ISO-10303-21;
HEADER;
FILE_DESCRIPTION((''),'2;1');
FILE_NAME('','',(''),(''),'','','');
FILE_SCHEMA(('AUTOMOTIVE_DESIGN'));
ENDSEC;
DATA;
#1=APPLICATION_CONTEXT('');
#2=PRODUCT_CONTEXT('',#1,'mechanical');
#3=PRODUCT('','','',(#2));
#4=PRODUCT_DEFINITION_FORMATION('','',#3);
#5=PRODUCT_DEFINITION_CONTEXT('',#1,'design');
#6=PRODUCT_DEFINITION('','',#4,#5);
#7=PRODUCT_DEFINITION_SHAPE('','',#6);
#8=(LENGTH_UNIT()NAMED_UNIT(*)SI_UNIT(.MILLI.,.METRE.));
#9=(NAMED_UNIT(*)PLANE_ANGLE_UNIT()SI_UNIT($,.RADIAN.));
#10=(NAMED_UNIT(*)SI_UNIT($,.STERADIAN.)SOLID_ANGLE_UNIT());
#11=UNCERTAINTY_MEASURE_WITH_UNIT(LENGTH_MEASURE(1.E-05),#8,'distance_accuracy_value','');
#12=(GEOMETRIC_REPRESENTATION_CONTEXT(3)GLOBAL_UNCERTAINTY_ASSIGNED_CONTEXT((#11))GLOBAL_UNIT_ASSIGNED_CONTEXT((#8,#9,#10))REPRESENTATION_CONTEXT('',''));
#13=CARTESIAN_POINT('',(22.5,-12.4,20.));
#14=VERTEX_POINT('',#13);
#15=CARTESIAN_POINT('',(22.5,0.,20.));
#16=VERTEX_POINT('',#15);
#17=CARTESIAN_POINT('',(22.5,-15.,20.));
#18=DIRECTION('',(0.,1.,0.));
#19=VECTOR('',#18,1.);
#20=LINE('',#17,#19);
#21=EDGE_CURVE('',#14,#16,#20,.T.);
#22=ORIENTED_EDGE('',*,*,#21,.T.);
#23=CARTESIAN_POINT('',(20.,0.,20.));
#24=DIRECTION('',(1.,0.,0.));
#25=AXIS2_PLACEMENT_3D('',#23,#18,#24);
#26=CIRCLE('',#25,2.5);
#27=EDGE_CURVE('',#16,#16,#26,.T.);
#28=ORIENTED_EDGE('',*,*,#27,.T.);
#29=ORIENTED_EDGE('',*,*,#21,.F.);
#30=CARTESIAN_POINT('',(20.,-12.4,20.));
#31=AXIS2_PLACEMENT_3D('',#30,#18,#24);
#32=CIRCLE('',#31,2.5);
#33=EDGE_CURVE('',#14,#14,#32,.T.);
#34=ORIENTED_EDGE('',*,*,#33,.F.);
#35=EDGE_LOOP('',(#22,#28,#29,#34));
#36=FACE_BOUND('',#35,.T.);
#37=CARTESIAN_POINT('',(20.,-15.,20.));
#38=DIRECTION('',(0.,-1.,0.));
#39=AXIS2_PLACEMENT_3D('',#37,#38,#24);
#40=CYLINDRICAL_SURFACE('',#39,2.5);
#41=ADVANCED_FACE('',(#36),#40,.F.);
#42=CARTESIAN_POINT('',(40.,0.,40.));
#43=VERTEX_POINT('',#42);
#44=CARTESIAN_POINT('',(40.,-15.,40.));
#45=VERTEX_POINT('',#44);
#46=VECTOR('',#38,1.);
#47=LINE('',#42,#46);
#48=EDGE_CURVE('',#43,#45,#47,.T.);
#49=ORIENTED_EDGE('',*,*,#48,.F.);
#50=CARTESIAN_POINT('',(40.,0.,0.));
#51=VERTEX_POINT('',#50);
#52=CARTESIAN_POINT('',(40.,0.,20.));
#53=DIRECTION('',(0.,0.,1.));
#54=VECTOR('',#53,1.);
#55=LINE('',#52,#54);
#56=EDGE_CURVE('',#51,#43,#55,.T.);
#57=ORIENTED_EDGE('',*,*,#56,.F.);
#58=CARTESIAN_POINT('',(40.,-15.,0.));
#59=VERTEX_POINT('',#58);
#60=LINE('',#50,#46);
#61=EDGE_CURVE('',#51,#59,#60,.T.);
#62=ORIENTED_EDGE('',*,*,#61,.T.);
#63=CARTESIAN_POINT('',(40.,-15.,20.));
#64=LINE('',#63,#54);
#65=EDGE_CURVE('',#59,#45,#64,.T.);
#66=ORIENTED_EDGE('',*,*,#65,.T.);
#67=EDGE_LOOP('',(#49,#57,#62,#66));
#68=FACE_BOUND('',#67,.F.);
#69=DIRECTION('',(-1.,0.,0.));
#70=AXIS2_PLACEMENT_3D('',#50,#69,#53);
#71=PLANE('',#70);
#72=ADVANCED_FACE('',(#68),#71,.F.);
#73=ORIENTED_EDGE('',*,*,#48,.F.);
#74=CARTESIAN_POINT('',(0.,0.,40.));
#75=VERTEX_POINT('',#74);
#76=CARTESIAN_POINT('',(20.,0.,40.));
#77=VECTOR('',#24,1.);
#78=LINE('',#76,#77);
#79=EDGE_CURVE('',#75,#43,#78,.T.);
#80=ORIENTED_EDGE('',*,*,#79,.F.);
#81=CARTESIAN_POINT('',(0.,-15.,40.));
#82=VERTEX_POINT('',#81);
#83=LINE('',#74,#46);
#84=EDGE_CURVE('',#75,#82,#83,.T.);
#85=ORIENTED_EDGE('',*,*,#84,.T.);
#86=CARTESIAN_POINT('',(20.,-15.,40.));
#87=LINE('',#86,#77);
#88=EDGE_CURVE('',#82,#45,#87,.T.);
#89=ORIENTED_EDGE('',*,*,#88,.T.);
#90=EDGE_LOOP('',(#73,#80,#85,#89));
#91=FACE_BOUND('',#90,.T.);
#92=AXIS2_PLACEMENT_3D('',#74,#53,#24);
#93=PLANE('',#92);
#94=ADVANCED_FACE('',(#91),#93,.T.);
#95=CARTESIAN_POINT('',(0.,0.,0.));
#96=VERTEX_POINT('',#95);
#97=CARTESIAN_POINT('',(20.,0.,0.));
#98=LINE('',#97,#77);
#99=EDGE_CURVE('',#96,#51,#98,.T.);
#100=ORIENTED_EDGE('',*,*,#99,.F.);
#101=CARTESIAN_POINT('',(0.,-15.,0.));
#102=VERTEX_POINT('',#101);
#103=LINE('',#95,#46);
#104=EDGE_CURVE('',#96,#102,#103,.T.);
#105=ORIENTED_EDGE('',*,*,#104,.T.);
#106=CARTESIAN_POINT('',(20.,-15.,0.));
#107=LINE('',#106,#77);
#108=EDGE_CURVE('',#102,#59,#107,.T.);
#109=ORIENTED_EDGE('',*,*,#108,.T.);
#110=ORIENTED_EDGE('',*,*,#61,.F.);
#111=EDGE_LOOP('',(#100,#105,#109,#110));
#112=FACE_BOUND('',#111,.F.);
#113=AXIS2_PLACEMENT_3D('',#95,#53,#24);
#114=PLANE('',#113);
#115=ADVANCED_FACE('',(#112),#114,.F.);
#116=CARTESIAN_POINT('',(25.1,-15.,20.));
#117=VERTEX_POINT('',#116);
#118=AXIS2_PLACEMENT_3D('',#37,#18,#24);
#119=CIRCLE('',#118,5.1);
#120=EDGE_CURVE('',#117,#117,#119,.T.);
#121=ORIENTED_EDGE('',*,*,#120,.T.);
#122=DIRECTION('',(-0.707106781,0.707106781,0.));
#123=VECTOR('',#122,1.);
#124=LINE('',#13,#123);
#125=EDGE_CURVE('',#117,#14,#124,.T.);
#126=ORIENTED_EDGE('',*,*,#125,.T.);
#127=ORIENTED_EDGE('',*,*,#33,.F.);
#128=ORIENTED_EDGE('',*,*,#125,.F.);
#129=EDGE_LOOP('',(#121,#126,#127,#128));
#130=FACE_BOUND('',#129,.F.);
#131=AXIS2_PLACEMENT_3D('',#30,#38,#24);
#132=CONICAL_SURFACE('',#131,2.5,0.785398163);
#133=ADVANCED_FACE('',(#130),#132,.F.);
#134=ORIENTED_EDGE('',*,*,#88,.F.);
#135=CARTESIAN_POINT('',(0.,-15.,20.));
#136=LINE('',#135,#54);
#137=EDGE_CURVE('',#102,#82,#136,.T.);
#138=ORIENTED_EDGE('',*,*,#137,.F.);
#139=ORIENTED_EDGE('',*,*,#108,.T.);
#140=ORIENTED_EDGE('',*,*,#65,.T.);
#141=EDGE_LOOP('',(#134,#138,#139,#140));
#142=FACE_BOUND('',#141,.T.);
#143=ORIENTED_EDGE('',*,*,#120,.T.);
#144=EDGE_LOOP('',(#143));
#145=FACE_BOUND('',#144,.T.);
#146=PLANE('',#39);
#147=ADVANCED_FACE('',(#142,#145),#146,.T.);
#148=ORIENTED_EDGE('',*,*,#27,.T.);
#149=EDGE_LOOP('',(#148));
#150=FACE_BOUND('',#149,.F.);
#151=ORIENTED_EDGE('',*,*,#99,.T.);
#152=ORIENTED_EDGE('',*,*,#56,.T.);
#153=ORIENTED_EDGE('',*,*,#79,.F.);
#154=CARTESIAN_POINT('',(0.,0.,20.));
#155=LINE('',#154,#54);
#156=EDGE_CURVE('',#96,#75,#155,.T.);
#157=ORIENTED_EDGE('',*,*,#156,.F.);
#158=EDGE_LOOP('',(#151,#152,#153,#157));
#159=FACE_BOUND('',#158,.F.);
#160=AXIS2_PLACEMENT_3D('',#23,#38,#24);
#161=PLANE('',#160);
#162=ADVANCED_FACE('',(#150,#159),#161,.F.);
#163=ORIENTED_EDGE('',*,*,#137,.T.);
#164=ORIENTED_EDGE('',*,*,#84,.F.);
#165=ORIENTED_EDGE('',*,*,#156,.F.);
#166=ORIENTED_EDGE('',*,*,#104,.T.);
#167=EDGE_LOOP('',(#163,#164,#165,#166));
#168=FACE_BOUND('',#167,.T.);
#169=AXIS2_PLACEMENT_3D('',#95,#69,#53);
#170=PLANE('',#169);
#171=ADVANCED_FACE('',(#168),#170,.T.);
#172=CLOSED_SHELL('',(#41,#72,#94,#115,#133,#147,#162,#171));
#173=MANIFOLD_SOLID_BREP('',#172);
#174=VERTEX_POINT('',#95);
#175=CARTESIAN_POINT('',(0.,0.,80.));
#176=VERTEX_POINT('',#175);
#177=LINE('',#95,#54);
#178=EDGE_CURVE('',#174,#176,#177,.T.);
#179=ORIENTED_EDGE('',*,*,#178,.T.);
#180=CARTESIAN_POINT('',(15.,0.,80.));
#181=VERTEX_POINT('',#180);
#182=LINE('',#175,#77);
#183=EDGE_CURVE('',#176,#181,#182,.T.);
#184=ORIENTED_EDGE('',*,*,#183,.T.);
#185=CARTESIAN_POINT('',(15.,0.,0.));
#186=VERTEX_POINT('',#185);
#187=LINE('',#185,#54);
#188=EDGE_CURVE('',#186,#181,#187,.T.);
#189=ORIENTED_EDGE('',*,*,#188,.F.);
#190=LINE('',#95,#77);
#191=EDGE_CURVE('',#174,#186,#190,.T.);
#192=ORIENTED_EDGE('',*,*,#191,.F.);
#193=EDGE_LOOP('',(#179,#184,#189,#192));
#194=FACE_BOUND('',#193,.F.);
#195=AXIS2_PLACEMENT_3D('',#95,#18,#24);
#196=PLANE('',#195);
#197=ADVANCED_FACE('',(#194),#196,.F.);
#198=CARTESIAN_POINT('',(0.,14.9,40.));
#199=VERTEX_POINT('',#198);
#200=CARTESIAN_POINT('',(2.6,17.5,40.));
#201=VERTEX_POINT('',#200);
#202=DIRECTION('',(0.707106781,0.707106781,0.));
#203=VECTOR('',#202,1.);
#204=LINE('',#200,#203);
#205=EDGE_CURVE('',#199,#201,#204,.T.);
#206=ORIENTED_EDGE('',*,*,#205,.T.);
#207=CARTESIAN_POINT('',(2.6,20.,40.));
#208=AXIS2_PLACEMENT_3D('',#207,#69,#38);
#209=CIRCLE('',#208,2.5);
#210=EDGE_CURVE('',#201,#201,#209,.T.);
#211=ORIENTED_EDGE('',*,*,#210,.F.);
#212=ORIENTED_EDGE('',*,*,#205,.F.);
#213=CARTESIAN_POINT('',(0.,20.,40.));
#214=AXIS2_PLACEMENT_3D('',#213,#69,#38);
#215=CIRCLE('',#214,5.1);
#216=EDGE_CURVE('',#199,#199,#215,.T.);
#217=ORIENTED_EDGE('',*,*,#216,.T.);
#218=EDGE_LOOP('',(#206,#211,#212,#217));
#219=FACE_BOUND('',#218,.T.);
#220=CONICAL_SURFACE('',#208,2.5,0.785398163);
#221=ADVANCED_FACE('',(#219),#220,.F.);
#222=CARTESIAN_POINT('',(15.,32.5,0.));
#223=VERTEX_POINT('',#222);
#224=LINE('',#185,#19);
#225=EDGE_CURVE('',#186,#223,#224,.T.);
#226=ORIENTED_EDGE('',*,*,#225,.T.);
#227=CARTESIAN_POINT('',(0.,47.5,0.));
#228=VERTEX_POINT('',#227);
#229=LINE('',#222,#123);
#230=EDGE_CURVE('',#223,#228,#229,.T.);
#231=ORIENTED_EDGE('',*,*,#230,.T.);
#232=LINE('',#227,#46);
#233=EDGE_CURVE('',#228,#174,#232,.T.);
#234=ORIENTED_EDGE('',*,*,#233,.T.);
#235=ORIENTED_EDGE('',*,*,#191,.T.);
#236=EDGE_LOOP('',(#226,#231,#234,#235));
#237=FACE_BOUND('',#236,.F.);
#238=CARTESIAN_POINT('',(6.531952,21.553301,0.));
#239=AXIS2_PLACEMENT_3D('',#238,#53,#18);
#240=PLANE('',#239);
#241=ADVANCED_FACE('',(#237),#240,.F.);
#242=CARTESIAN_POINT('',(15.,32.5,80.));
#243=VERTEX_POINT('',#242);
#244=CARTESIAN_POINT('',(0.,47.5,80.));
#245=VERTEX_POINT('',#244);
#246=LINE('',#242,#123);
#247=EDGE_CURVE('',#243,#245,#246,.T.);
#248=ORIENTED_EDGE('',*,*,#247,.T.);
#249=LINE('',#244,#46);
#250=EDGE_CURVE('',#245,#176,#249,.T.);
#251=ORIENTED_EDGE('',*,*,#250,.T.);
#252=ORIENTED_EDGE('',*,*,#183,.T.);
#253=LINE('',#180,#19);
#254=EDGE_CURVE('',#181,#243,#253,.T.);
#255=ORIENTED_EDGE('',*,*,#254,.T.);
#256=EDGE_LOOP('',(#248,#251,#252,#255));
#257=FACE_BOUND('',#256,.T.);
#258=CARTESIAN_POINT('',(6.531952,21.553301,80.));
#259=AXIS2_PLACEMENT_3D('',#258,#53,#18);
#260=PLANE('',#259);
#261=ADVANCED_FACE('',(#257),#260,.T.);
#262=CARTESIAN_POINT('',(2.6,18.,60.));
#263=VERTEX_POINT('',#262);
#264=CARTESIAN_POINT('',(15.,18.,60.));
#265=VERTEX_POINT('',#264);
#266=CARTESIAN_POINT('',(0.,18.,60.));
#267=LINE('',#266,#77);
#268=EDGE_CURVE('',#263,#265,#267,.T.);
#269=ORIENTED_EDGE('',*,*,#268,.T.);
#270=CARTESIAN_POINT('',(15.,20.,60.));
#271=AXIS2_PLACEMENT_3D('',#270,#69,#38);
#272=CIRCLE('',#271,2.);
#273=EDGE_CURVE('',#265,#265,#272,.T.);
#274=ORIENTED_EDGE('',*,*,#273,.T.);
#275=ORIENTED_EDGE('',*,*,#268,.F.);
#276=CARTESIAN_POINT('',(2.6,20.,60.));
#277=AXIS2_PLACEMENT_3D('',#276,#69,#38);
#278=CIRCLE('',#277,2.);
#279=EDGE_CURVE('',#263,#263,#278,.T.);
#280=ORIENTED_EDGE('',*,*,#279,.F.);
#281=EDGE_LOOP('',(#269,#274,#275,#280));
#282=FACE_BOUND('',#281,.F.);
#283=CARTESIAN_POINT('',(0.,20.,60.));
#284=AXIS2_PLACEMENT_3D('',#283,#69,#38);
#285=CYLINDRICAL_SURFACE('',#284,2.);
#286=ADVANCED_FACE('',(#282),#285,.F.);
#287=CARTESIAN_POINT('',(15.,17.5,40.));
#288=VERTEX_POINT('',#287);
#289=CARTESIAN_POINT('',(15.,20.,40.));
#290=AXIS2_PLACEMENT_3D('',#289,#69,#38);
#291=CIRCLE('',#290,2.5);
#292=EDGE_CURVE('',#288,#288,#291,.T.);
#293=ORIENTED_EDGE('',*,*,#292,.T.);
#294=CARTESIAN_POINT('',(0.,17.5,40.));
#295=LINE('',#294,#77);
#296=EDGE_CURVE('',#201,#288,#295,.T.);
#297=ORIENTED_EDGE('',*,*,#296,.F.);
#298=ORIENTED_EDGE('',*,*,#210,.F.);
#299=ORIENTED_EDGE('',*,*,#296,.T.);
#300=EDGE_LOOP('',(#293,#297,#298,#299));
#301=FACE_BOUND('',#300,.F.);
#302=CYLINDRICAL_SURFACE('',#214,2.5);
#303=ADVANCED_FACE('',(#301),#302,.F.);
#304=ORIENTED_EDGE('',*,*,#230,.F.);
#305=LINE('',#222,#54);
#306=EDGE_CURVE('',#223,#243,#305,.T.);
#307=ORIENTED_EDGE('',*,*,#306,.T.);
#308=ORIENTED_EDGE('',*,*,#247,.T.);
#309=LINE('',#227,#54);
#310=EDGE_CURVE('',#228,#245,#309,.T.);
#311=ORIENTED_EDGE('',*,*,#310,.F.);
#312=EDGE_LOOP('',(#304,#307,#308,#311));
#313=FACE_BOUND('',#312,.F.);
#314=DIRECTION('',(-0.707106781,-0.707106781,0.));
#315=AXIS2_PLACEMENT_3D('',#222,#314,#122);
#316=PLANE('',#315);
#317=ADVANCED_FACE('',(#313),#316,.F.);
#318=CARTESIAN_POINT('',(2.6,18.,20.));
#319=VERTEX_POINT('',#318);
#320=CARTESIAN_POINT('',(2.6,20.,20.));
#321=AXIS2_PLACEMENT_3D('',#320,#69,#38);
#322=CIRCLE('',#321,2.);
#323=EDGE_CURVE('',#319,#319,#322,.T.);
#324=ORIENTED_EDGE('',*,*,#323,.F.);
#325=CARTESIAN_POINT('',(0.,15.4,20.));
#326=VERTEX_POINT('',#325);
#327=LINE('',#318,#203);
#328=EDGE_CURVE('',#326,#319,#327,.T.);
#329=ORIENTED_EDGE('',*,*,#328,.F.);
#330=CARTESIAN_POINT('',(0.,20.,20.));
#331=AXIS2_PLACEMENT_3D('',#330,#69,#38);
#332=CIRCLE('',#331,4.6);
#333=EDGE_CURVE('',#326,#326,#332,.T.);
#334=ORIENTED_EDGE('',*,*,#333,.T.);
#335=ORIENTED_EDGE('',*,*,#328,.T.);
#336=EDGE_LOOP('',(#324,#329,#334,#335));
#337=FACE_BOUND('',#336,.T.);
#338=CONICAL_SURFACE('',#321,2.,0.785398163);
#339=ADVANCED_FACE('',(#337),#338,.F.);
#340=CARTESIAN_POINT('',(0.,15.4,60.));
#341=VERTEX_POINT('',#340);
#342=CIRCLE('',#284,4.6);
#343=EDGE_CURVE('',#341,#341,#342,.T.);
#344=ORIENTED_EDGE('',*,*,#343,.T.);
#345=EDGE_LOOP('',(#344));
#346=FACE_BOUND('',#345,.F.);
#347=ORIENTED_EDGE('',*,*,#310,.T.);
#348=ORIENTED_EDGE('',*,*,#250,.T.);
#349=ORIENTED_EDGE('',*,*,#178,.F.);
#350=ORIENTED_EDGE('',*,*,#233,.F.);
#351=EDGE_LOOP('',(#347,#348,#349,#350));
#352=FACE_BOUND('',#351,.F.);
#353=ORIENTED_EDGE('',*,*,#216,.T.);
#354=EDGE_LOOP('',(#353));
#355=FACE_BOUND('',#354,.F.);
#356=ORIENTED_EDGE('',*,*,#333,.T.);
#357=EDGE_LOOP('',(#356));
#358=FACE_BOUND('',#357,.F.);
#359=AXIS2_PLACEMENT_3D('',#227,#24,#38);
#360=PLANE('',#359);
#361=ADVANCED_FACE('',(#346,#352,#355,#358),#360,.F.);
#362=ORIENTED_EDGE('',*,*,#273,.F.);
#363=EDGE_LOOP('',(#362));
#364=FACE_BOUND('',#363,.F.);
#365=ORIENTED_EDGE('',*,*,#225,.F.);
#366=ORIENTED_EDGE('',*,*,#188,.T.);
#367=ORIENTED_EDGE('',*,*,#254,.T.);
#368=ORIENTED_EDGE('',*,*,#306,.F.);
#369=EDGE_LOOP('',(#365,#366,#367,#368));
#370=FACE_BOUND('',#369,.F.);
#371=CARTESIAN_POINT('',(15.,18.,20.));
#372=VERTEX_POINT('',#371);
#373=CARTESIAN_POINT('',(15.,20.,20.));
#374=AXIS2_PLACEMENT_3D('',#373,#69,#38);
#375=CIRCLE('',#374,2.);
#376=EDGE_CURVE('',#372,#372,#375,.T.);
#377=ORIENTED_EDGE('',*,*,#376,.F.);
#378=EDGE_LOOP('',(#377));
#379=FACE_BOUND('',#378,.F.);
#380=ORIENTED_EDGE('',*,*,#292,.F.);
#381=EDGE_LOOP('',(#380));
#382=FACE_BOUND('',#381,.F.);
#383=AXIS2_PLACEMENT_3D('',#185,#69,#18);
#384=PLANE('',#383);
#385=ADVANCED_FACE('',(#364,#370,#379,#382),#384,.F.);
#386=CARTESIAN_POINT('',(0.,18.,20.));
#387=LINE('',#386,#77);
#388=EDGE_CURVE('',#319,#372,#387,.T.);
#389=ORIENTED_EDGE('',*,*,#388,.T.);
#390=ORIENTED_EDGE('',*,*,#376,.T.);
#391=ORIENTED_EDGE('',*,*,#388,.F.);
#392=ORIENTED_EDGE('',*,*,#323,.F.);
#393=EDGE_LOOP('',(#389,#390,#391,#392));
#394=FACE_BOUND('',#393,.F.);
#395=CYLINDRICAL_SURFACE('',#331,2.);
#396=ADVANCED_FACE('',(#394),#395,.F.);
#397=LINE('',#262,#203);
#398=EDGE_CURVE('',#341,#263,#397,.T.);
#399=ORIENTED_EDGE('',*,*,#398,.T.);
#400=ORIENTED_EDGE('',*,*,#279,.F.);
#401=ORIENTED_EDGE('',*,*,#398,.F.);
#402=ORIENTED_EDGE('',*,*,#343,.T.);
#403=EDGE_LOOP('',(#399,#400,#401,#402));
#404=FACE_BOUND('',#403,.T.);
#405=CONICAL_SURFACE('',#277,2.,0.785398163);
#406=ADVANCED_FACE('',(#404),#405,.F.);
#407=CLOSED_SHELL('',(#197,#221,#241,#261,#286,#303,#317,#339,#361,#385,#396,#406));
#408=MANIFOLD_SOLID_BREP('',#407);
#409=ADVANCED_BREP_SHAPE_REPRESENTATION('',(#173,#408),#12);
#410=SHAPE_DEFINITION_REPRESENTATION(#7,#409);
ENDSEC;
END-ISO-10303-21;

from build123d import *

# Parameters (mm, degrees)
SKETCH001_R      = 2.5
SKETCH001_R_2    = 2
EXTRUDE001_DEPTH = 15
EXTRUDE_DEPTH    = 80
CHAMFER_SIZE     = 2.6
FACE003_R        = 2.5
EXTRUDE003_DEPTH = 15
SKETCH002_W      = 40
SKETCH002_H      = 40
EXTRUDE002_DEPTH = 15
CHAMFER001_SIZE  = 2.6


with BuildPart() as extrude001:
    # Sketch001 (on Face1 of Extrude) → Extrude001 (new body)
    with BuildSketch(Plane(origin=(0, 0, 0), x_dir=(0, -1, 0), z_dir=(-1, 0, 0))):
        with Locations((-20, 40)):
            Circle(SKETCH001_R)
        with Locations((-20, 60)):
            Circle(SKETCH001_R_2)
        with Locations((-20, 20)):
            Circle(SKETCH001_R_2)
    extrude(amount=-EXTRUDE001_DEPTH)


with BuildPart() as wedge:
    # Face → Extrude (new body)
    with BuildSketch(Plane(origin=(7.03125, 20.234375, 0), x_dir=(0, 1, 0), z_dir=(0, 0, 1))):
        Polygon((27.265625, 7.03125), (-20.234375, 7.03125), (-20.234375, -7.96875), (12.265625, -7.96875), align=None)
    extrude(amount=EXTRUDE_DEPTH)

    # Cut: cut Extrude001
    add(extrude001.part, mode=Mode.SUBTRACT)

    # Chamfer
    chamfer_edges = [wedge.edges().sort_by_distance(p)[0] for p in [
        (0, 22, 60),
        (0, 22.5, 40),
        (0, 22, 20),
    ]]
    chamfer(chamfer_edges, length=CHAMFER_SIZE)


with BuildPart() as extrude003:
    # Face003 → Extrude003 (new body)
    with BuildSketch(Plane(origin=(20, -15, 20), x_dir=(1, 0, 0), z_dir=(0, 1, 0))):
        Circle(FACE003_R)
    extrude(amount=EXTRUDE003_DEPTH)


with BuildPart() as spacer:
    # Sketch002 → Extrude002 (new body)
    with BuildSketch(Plane.XZ):
        with Locations((20, 20)):
            Rectangle(SKETCH002_W, SKETCH002_H)
    extrude(amount=EXTRUDE002_DEPTH)

    # Cut001: cut Extrude003
    add(extrude003.part, mode=Mode.SUBTRACT)

    # Chamfer001
    chamfer001_edges = [spacer.edges().sort_by_distance(p)[0] for p in [
        (17.5, -15, 20),
    ]]
    chamfer(chamfer001_edges, length=CHAMFER001_SIZE)


solid = Compound([wedge.part, spacer.part])
